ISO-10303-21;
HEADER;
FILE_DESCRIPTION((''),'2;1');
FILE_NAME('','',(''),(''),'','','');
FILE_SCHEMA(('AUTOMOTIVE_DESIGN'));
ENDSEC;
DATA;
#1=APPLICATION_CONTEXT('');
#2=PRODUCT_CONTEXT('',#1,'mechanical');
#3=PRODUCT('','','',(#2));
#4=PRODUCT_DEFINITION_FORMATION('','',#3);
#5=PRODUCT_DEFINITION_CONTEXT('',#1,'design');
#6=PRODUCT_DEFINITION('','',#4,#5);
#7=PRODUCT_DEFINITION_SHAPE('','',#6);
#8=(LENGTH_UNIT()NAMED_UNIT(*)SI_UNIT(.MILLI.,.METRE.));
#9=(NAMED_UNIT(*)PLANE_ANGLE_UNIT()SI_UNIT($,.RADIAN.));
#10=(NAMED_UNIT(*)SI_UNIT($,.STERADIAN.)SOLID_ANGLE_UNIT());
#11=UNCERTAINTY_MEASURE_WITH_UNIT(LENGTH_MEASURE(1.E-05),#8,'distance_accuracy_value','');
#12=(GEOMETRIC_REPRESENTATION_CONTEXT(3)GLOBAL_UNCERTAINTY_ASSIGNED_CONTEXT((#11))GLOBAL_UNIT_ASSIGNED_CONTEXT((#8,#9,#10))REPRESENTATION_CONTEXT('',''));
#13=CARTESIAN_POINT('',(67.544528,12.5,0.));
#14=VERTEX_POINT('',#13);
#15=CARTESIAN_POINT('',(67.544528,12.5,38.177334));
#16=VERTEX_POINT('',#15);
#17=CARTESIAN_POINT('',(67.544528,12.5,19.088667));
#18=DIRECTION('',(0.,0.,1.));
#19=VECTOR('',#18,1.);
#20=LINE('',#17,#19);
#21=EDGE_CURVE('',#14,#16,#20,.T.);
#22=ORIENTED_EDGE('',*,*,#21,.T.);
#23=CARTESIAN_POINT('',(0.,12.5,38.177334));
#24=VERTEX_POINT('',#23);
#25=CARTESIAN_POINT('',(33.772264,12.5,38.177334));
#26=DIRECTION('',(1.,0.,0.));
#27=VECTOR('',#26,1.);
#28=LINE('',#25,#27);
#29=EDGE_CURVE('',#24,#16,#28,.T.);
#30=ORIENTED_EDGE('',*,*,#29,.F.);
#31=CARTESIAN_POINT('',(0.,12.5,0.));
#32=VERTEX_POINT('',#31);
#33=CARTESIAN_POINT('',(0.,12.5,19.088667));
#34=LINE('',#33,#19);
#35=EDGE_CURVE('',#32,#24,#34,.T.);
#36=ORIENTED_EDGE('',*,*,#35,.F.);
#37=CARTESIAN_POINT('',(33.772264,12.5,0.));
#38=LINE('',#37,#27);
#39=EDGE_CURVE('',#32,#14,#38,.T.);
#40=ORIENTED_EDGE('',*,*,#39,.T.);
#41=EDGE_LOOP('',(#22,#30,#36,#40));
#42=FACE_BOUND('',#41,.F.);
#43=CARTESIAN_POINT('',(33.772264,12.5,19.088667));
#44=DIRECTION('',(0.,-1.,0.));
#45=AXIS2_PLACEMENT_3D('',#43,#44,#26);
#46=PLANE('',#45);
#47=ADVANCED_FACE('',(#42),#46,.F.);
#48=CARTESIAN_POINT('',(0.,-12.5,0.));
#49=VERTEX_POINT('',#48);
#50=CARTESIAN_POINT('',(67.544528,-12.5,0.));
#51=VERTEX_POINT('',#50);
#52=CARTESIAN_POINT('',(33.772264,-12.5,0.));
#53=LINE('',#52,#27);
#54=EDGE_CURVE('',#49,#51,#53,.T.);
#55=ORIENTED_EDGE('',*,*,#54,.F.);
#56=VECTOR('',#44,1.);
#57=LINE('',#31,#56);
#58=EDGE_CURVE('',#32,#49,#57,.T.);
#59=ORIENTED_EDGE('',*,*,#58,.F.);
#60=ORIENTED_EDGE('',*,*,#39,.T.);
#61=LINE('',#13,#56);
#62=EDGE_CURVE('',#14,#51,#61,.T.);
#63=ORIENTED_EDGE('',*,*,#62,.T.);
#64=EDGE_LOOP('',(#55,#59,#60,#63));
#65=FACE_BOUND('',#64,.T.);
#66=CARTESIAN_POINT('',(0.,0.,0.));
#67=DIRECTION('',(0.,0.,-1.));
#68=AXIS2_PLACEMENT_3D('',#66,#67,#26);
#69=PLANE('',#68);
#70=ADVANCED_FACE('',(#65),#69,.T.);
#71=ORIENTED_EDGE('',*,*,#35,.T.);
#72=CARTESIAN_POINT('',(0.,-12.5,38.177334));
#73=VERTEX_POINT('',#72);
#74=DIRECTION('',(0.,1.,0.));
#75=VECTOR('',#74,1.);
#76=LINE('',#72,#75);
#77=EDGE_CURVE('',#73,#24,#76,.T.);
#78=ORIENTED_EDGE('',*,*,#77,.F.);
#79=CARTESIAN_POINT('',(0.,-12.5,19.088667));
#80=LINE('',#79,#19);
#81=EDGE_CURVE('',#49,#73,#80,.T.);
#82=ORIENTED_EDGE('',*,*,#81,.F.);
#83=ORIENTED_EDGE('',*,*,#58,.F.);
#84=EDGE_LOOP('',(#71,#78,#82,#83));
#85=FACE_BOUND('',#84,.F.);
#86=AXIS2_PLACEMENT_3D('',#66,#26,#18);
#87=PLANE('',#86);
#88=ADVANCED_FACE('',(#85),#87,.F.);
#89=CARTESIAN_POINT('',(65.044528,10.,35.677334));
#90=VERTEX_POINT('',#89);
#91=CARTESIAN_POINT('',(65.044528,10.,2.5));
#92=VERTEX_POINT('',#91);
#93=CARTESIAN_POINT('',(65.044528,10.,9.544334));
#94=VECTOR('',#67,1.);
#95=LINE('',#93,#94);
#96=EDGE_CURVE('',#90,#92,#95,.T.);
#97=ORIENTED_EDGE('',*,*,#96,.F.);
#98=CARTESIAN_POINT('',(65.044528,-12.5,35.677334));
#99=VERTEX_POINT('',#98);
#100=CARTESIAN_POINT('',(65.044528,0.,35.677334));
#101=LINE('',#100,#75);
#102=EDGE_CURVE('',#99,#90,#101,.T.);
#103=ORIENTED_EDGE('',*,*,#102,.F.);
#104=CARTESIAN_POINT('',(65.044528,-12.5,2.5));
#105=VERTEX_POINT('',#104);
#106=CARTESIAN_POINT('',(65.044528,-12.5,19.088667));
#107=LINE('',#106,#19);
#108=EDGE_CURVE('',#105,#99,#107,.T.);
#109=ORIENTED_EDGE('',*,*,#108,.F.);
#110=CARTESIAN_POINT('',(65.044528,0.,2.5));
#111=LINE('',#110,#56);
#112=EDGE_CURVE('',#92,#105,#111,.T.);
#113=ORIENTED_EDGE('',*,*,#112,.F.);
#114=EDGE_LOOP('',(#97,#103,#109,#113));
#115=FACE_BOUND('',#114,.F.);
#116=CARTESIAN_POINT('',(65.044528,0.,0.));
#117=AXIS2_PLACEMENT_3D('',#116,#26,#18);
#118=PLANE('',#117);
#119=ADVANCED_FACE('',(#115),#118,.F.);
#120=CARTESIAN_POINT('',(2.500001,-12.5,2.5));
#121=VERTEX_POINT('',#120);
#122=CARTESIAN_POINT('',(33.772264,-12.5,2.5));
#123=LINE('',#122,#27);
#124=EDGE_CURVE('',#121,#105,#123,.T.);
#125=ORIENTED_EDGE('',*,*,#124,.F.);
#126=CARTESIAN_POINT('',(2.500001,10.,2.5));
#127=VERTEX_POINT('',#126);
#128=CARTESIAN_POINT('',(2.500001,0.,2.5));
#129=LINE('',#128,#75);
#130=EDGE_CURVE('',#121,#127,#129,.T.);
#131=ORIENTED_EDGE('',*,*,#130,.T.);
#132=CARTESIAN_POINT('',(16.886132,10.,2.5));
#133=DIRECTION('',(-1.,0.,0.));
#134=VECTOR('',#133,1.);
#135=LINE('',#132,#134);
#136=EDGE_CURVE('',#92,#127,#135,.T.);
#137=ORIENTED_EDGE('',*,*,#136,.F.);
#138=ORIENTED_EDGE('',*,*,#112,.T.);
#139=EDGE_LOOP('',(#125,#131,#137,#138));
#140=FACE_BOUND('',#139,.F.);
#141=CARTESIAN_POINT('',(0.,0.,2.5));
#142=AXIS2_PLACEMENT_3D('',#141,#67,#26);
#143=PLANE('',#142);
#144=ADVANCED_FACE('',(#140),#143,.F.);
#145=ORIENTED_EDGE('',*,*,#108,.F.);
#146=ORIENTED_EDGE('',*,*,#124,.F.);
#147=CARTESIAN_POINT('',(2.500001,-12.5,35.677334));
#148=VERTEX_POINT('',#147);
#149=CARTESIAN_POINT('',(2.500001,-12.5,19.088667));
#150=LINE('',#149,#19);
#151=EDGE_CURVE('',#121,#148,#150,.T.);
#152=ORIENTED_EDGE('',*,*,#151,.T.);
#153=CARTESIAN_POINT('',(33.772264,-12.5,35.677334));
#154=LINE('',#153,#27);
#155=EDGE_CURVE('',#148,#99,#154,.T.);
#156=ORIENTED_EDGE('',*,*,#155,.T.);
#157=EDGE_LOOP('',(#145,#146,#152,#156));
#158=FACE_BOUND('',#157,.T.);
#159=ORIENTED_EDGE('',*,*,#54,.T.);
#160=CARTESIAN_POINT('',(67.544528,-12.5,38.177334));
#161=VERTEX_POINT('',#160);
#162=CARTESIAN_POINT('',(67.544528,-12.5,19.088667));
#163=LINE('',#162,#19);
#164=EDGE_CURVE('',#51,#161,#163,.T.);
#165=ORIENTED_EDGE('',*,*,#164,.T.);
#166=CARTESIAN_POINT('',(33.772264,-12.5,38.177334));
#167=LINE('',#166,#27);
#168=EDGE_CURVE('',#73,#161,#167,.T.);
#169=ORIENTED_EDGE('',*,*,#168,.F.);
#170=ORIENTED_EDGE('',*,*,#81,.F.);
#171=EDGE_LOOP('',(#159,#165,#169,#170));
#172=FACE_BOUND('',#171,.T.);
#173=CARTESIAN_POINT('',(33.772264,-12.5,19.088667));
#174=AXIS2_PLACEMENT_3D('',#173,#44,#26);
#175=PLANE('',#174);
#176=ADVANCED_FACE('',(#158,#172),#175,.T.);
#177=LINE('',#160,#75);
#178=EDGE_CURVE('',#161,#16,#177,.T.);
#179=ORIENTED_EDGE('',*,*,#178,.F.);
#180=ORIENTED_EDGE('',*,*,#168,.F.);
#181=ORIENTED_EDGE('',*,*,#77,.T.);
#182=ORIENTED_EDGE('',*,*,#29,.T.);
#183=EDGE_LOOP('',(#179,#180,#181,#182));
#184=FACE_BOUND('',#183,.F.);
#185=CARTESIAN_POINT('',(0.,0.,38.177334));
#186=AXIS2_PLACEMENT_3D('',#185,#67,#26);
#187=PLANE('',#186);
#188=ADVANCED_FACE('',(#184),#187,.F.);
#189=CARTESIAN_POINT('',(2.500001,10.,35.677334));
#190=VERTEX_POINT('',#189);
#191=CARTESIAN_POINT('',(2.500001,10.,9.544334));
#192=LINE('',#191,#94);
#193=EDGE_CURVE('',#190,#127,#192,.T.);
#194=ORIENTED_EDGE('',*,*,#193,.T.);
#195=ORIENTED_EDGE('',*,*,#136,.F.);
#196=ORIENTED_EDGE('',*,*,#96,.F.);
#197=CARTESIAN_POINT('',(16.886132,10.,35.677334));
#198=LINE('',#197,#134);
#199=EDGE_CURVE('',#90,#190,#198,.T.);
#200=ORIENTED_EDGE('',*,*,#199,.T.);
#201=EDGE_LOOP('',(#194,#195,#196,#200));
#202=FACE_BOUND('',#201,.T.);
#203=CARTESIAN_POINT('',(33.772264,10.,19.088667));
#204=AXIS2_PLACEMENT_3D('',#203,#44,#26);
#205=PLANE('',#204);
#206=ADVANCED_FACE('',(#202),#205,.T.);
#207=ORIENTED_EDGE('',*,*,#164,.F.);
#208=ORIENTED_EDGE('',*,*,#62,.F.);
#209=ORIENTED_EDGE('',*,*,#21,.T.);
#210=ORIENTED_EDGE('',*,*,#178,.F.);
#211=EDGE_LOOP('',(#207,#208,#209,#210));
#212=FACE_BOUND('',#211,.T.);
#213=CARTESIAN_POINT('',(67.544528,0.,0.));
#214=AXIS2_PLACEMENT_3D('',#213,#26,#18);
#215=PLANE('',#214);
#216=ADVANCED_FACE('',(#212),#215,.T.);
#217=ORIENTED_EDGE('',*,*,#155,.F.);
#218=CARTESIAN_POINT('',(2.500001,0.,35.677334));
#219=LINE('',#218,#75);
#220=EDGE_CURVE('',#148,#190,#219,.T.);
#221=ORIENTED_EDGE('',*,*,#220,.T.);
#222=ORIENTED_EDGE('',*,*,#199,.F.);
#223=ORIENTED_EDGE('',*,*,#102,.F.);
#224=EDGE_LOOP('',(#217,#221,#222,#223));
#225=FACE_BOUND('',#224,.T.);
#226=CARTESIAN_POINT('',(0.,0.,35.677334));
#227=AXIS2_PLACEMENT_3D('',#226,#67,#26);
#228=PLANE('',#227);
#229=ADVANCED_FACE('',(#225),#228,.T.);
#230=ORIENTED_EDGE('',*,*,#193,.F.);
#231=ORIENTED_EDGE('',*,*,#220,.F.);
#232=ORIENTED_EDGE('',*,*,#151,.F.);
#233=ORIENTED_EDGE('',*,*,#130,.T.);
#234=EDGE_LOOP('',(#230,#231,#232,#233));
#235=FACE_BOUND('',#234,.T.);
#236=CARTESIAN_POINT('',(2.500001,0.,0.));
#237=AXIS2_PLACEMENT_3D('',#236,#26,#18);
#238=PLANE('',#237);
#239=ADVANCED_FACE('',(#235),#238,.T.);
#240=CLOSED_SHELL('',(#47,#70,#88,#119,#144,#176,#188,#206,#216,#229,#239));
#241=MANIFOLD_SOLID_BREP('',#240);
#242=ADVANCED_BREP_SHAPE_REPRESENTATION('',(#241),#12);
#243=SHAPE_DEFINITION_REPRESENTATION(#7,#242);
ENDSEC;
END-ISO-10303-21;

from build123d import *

# Parameters (mm, degrees)
F0_W     = 67.544527
F0_H     = 38.177334
F1_DEPTH = 12.5
F2_T     = -2.5


with BuildPart() as f1:
    # F0 (on Front) → F1 (new body, symmetric)
    with BuildSketch(Plane.XZ):
        with Locations((33.772264, 19.088667)):
            Rectangle(F0_W, F0_H)
    extrude(amount=F1_DEPTH, both=True)

    # F2
    f2_openings = [f1.faces().sort_by_distance(p)[0] for p in [
        (33.772264, -12.5, 19.088667),
    ]]
    offset(amount=F2_T, openings=f2_openings)


solid = f1.part
